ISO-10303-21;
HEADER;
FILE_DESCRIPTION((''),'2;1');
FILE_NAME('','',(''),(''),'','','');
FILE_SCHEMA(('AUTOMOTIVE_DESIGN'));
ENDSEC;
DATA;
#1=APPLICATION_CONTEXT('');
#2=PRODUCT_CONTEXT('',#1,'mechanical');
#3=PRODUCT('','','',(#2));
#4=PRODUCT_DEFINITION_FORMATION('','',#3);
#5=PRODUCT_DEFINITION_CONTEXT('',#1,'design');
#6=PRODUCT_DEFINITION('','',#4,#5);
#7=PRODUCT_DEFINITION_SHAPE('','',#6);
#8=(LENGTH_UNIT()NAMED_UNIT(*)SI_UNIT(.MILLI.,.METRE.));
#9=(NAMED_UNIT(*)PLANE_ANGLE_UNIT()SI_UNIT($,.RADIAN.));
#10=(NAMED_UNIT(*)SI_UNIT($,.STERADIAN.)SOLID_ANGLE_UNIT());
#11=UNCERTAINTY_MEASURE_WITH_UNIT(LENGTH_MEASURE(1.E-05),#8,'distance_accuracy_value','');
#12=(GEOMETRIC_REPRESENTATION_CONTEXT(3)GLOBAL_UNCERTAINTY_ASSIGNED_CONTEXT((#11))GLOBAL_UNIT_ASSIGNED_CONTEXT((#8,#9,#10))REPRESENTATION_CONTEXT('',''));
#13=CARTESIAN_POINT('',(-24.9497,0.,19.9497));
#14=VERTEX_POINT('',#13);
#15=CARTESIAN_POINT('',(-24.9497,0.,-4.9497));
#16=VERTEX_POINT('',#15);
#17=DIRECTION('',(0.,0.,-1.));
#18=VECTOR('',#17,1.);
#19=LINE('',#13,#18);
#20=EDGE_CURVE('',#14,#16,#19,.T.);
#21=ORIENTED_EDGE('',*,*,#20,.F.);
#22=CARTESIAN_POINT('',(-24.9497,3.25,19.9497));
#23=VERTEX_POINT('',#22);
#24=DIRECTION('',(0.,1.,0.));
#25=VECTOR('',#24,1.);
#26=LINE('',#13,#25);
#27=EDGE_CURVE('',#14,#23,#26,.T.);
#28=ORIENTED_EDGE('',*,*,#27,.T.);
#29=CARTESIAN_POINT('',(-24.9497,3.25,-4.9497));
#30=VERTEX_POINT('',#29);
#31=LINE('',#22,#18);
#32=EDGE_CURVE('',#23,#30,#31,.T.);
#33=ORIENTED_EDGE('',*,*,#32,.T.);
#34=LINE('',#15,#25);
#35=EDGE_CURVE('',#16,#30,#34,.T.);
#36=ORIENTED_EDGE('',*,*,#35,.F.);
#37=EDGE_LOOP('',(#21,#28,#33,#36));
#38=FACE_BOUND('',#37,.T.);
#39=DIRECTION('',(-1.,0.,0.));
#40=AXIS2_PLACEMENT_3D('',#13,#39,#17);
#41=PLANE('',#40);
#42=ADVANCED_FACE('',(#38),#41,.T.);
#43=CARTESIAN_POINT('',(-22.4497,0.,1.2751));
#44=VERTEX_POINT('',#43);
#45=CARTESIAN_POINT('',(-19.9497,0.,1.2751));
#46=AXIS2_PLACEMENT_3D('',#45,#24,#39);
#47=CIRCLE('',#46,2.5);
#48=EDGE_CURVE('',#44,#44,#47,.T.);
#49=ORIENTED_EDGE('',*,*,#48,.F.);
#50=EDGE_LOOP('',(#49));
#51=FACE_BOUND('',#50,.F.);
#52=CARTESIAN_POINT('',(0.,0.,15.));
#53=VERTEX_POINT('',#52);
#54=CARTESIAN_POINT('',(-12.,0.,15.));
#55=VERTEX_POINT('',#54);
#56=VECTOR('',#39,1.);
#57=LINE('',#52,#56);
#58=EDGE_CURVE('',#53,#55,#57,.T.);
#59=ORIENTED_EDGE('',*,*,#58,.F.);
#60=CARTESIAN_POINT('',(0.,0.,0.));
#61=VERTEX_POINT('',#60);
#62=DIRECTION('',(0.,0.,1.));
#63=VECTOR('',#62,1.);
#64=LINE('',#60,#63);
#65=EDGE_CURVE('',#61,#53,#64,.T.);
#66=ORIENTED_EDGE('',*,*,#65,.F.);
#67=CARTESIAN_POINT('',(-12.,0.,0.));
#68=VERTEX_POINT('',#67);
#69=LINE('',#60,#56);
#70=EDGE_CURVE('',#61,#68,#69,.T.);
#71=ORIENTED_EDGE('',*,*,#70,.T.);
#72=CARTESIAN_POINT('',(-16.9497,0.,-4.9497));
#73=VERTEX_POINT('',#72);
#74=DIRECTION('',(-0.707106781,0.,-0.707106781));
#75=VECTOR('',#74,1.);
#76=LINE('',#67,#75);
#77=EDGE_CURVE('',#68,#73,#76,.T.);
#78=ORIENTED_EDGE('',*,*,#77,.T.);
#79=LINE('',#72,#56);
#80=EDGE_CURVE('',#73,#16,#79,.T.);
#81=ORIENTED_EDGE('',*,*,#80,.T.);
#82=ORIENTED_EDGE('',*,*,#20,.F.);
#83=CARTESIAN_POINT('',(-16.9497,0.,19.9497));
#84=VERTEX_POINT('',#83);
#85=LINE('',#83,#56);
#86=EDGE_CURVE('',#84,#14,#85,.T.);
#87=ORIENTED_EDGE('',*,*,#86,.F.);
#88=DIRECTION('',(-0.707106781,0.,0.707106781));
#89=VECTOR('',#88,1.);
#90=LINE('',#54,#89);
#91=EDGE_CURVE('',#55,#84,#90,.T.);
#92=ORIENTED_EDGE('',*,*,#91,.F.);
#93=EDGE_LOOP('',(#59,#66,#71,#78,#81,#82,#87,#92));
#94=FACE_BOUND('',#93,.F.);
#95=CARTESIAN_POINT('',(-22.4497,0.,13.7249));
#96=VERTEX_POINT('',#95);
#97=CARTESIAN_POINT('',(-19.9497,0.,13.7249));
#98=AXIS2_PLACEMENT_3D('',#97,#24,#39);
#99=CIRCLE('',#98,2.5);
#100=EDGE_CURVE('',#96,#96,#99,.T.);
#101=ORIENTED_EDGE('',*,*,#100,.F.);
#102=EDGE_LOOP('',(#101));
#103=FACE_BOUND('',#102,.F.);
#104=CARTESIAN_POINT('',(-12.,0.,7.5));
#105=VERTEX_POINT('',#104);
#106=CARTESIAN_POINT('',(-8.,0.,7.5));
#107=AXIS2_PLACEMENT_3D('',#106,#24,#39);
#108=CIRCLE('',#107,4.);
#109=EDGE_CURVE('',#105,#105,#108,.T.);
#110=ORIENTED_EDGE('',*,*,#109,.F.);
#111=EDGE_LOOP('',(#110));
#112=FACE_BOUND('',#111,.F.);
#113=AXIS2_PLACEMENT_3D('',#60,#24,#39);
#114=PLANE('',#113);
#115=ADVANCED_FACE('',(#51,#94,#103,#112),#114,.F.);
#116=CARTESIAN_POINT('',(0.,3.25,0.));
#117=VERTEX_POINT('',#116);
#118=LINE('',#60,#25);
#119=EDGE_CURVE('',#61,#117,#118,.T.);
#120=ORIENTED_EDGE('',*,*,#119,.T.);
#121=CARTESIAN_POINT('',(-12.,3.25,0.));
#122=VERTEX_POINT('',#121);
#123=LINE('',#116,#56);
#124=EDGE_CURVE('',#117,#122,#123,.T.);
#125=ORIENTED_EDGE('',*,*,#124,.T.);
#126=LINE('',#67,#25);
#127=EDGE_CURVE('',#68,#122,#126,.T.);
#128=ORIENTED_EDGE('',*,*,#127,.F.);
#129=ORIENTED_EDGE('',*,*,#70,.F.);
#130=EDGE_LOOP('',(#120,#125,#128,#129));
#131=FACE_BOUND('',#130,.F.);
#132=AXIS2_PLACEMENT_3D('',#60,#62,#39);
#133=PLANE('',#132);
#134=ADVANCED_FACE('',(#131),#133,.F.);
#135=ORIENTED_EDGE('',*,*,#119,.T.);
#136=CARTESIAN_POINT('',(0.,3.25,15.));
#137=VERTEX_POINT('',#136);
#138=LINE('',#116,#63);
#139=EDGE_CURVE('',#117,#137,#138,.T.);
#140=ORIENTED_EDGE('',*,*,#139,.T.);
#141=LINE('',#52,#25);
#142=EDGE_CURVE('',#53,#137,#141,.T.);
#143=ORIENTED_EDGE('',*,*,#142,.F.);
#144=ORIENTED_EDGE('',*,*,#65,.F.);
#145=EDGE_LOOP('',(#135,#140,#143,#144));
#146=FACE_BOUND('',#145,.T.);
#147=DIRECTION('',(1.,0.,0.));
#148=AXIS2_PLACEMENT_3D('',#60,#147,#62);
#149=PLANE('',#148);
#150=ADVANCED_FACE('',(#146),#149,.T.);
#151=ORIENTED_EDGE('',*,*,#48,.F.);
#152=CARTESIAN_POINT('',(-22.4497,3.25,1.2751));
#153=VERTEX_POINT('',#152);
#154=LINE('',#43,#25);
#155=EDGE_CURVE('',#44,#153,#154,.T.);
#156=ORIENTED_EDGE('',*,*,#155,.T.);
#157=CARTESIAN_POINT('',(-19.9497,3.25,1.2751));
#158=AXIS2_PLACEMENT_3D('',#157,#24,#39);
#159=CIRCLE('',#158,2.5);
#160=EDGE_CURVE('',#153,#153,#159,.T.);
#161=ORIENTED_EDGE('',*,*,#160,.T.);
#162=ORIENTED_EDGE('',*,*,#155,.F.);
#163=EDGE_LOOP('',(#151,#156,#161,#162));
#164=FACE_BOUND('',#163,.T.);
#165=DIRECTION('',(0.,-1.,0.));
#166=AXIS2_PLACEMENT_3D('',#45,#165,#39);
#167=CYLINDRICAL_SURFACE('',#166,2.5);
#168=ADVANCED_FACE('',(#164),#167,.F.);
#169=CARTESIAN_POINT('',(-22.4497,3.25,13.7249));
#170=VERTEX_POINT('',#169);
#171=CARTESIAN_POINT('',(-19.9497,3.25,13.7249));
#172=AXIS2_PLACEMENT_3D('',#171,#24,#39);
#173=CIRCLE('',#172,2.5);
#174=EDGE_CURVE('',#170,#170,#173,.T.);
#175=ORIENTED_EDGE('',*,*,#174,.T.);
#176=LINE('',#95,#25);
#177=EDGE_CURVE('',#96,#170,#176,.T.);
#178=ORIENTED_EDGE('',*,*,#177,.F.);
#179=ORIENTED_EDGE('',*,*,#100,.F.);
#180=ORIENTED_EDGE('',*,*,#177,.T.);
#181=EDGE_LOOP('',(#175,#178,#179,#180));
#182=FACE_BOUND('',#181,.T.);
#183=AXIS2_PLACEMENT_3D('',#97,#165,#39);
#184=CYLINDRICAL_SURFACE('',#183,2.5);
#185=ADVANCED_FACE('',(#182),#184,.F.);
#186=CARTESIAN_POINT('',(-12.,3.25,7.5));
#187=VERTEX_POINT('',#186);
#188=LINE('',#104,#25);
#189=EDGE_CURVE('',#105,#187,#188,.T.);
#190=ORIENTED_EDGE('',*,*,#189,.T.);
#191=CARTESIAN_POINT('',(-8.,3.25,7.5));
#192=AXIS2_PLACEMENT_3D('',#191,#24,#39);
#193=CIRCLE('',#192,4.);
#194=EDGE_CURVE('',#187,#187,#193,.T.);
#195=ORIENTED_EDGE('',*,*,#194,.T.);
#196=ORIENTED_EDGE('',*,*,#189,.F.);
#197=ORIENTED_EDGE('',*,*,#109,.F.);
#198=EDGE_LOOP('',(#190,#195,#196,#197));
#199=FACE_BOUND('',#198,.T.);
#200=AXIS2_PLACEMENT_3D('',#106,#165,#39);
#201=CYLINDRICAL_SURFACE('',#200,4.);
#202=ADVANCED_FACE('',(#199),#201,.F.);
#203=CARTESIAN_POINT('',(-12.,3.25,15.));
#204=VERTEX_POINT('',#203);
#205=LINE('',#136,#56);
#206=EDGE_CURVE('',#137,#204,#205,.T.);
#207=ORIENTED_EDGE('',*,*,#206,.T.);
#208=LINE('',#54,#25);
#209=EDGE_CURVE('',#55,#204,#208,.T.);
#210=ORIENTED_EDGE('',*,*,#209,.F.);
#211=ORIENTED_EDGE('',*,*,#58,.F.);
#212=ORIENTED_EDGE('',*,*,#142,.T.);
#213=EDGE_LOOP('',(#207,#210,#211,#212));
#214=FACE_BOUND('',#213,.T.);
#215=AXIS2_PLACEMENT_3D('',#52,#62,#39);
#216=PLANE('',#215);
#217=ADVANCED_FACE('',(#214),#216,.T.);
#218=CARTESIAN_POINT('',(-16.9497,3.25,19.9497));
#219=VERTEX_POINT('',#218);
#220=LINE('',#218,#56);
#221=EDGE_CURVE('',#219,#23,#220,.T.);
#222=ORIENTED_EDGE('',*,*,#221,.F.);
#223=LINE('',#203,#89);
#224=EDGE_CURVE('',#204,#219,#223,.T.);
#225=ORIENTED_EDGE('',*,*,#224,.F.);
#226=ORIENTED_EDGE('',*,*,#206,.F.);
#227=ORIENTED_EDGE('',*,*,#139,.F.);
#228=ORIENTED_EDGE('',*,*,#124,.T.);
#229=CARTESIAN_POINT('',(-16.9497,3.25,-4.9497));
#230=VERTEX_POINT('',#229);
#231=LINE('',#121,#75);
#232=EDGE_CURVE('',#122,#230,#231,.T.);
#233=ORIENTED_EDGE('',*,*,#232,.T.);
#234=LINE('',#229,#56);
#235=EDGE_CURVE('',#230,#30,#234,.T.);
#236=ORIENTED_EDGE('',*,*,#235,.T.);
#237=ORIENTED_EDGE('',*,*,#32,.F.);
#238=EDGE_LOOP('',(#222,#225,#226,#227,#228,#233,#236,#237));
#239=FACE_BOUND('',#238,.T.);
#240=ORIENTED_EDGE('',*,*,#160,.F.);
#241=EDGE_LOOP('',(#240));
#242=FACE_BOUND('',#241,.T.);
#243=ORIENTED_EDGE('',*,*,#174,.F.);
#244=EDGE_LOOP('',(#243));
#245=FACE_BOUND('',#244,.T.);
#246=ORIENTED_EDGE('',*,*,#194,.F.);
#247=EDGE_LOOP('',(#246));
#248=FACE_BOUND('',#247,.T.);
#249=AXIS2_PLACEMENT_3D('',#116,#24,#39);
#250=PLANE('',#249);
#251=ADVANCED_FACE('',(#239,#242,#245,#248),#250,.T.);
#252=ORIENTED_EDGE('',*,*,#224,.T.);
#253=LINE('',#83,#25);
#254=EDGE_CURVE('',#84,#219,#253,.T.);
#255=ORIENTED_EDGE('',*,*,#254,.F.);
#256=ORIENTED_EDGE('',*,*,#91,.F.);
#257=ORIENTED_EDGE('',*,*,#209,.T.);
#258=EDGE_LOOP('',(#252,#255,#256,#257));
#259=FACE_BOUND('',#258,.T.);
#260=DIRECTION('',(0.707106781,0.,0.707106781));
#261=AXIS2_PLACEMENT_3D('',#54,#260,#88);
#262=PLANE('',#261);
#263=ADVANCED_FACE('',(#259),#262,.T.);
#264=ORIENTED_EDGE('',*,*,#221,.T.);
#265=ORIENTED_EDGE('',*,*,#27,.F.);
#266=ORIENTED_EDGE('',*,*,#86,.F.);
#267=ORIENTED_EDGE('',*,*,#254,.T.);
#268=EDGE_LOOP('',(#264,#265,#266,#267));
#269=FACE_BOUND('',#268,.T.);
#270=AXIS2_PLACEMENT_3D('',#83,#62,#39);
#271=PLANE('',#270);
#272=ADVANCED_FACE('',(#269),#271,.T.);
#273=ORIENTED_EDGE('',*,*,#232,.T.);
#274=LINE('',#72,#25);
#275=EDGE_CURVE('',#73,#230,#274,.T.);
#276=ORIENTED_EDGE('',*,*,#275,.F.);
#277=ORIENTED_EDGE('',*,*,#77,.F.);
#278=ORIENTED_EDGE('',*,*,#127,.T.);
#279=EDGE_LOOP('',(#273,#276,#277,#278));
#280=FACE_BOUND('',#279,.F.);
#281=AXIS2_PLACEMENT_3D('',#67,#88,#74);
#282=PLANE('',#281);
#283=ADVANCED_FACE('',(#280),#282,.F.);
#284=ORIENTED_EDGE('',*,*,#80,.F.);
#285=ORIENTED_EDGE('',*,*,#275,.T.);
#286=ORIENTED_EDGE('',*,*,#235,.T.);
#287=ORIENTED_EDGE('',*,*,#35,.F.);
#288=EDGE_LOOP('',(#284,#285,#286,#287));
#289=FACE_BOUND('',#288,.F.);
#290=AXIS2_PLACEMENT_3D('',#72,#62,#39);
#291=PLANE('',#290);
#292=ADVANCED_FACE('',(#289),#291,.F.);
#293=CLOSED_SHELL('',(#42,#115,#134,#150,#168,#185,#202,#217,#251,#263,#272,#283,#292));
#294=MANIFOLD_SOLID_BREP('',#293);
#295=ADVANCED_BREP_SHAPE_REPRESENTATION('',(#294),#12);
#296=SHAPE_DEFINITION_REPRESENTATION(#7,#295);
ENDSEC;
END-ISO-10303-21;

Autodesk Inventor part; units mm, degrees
ref_plane "YZ Plane" through (0, 0, 0) normal (1, 0, 0) x (0, 1, 0)
ref_plane "XZ Plane" through (0, 0, 0) normal (0, 1, 0) x (-1, 0, 0)
ref_plane "XY Plane" through (0, 0, 0) normal (0, 0, 1) x (1, 0, 0)
sketch "Sketch1" plane through (0, 0, 0) normal (0, 1, 0) x (-1, 0, 0)
  point P0 (0, 0)
sketch "Sketch2" plane through (0, 0, 0) normal (0, 1, 0) x (-1, 0, 0)
  line L0 (0, 0) -> (0, 15)
  line L1 (0, 15) -> (12, 15)
  line L2 (12, 15) -> (16.9497, 19.9497)
  line L3 (12, 15) -> (19, 15) construction
  line L4 (16.9497, 19.9497) -> (24.9497, 19.9497)
  line L5 (0, 7.5) -> (15.5, 7.5) construction
  line L6 (0, 0) -> (12, 0)
  line L7 (12, 0) -> (16.9497, -4.9497)
  line L8 (12, 0) -> (19, 0) construction
  line L9 (16.9497, -4.9497) -> (24.9497, -4.9497)
  line L10 (24.9497, 19.9497) -> (24.9497, -4.9497)
  line L11 (0, 7.5) -> (8, 7.5) construction
  circle A0 centre (8, 7.5) radius 4
  line L12 (24.9497, 7.5) -> (19.9497, 7.5) construction
  line L13 (19.9497, 7.5) -> (19.9497, 19.9497) construction
  circle A1 centre (19.9497, 13.7249) radius 2.5
  line L14 (19.9497, 7.5) -> (19.9497, -4.9497) construction
  circle A2 centre (19.9497, 1.2751) radius 2.5
  dimension "d2" = 15
  dimension "d3" = 12
  dimension "d4" = 7
  dimension "d5" = 45
  dimension "d6" = 8
  dimension "d9" = 8
  dimension "d10" = 8
  dimension "d11" = 5
  dimension "d12" = 5
extrude "Extrusion1" add sketch "Sketch2" along normal blind 3.25 contours L0 L1 L2 L4 L10 L9 L7 L6 | A0 | A1 | A2
extrude "Extrusion2" cut sketch "Sketch2" along normal blind 3.25 contours A0 | A1 | A2
properties part number "union_movllantas"
